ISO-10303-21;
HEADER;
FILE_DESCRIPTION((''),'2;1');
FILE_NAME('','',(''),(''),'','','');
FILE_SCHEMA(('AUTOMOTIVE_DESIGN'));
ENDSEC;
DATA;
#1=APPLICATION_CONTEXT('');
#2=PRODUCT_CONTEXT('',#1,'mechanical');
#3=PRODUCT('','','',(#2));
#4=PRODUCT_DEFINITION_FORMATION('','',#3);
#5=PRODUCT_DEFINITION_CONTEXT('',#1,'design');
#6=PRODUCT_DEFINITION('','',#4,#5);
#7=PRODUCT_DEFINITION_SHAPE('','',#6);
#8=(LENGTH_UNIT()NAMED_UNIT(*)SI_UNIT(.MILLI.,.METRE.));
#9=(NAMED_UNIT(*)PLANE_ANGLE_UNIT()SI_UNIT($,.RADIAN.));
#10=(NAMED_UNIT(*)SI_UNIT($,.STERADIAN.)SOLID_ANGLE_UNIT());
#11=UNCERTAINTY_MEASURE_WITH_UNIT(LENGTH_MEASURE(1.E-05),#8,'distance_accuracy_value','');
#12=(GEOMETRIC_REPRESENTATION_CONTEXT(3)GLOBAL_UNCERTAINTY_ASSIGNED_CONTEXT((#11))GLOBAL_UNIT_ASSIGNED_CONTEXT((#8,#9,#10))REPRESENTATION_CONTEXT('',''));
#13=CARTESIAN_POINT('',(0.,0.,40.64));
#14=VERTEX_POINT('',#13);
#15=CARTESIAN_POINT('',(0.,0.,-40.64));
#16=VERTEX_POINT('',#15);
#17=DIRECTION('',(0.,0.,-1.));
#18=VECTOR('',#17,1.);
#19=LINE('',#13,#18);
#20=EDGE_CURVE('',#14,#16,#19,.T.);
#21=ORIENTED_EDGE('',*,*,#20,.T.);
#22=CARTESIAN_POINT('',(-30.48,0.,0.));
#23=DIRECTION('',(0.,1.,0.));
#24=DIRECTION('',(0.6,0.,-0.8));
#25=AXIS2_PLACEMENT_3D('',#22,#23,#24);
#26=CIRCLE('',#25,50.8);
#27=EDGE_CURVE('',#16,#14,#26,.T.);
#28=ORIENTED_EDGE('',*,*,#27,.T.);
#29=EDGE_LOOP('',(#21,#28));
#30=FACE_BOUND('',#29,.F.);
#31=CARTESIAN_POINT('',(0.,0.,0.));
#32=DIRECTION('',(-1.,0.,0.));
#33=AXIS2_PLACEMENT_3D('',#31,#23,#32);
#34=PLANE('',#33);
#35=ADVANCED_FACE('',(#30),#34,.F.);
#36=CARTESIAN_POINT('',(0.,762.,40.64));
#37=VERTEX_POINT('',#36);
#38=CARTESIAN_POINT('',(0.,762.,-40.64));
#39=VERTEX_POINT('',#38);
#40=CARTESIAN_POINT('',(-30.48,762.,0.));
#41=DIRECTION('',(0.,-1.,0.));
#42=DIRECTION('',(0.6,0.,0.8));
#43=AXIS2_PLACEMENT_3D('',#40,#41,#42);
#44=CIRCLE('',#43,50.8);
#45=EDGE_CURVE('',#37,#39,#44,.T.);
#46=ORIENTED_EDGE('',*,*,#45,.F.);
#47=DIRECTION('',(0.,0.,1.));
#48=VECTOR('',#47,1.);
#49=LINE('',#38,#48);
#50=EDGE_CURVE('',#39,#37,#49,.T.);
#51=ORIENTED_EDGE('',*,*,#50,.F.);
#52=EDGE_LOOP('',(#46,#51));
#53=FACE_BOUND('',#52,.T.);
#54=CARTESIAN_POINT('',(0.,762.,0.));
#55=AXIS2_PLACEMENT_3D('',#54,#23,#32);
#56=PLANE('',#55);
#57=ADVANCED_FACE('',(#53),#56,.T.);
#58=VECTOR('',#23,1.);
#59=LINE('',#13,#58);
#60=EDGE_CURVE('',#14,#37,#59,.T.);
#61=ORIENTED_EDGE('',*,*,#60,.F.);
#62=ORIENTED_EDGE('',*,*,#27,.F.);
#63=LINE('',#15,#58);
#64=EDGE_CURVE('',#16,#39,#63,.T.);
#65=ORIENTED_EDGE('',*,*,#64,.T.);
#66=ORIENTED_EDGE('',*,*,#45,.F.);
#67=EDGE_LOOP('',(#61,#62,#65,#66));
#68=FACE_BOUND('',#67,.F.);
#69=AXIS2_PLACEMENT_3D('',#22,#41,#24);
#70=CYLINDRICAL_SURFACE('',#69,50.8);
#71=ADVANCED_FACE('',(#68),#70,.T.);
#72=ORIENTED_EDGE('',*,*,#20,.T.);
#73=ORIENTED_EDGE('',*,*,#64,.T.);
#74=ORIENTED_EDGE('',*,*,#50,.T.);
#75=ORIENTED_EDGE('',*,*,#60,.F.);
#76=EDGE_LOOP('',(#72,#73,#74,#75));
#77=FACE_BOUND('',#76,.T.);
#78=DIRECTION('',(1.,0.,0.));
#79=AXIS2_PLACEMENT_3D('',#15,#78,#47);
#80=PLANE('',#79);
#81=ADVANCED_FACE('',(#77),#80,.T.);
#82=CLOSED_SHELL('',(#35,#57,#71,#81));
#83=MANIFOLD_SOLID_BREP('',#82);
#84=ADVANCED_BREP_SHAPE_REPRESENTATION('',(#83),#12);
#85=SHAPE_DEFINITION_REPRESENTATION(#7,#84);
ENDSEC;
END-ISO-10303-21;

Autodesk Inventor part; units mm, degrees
ref_plane "YZ Plane" through (0, 0, 0) normal (1, 0, 0) x (0, 1, 0)
ref_plane "XZ Plane" through (0, 0, 0) normal (0, 1, 0) x (-1, 0, 0)
ref_plane "XY Plane" through (0, 0, 0) normal (0, 0, 1) x (1, 0, 0)
sketch "Sketch1" plane through (0, 0, 0) normal (0, 1, 0) x (-1, 0, 0)
  arc A0 (0, -40.64) -> (0, 40.64) centre (30.48, 0) ccw
  line L0 (0, -71.12) -> (0, 71.12) projected
  line L1 (97.536, 0) -> (-16.256, 0) projected
  line L2 (0, 40.64) -> (0, -40.64)
  point P0 (0, 0)
  point P1 (81.28, 0)
  dimension "d0" = 50.8
  dimension "d4" = 30.48
extrude "Extrusion1" add sketch "Sketch1" along normal blind 762
properties part number "DMJ_arm"
